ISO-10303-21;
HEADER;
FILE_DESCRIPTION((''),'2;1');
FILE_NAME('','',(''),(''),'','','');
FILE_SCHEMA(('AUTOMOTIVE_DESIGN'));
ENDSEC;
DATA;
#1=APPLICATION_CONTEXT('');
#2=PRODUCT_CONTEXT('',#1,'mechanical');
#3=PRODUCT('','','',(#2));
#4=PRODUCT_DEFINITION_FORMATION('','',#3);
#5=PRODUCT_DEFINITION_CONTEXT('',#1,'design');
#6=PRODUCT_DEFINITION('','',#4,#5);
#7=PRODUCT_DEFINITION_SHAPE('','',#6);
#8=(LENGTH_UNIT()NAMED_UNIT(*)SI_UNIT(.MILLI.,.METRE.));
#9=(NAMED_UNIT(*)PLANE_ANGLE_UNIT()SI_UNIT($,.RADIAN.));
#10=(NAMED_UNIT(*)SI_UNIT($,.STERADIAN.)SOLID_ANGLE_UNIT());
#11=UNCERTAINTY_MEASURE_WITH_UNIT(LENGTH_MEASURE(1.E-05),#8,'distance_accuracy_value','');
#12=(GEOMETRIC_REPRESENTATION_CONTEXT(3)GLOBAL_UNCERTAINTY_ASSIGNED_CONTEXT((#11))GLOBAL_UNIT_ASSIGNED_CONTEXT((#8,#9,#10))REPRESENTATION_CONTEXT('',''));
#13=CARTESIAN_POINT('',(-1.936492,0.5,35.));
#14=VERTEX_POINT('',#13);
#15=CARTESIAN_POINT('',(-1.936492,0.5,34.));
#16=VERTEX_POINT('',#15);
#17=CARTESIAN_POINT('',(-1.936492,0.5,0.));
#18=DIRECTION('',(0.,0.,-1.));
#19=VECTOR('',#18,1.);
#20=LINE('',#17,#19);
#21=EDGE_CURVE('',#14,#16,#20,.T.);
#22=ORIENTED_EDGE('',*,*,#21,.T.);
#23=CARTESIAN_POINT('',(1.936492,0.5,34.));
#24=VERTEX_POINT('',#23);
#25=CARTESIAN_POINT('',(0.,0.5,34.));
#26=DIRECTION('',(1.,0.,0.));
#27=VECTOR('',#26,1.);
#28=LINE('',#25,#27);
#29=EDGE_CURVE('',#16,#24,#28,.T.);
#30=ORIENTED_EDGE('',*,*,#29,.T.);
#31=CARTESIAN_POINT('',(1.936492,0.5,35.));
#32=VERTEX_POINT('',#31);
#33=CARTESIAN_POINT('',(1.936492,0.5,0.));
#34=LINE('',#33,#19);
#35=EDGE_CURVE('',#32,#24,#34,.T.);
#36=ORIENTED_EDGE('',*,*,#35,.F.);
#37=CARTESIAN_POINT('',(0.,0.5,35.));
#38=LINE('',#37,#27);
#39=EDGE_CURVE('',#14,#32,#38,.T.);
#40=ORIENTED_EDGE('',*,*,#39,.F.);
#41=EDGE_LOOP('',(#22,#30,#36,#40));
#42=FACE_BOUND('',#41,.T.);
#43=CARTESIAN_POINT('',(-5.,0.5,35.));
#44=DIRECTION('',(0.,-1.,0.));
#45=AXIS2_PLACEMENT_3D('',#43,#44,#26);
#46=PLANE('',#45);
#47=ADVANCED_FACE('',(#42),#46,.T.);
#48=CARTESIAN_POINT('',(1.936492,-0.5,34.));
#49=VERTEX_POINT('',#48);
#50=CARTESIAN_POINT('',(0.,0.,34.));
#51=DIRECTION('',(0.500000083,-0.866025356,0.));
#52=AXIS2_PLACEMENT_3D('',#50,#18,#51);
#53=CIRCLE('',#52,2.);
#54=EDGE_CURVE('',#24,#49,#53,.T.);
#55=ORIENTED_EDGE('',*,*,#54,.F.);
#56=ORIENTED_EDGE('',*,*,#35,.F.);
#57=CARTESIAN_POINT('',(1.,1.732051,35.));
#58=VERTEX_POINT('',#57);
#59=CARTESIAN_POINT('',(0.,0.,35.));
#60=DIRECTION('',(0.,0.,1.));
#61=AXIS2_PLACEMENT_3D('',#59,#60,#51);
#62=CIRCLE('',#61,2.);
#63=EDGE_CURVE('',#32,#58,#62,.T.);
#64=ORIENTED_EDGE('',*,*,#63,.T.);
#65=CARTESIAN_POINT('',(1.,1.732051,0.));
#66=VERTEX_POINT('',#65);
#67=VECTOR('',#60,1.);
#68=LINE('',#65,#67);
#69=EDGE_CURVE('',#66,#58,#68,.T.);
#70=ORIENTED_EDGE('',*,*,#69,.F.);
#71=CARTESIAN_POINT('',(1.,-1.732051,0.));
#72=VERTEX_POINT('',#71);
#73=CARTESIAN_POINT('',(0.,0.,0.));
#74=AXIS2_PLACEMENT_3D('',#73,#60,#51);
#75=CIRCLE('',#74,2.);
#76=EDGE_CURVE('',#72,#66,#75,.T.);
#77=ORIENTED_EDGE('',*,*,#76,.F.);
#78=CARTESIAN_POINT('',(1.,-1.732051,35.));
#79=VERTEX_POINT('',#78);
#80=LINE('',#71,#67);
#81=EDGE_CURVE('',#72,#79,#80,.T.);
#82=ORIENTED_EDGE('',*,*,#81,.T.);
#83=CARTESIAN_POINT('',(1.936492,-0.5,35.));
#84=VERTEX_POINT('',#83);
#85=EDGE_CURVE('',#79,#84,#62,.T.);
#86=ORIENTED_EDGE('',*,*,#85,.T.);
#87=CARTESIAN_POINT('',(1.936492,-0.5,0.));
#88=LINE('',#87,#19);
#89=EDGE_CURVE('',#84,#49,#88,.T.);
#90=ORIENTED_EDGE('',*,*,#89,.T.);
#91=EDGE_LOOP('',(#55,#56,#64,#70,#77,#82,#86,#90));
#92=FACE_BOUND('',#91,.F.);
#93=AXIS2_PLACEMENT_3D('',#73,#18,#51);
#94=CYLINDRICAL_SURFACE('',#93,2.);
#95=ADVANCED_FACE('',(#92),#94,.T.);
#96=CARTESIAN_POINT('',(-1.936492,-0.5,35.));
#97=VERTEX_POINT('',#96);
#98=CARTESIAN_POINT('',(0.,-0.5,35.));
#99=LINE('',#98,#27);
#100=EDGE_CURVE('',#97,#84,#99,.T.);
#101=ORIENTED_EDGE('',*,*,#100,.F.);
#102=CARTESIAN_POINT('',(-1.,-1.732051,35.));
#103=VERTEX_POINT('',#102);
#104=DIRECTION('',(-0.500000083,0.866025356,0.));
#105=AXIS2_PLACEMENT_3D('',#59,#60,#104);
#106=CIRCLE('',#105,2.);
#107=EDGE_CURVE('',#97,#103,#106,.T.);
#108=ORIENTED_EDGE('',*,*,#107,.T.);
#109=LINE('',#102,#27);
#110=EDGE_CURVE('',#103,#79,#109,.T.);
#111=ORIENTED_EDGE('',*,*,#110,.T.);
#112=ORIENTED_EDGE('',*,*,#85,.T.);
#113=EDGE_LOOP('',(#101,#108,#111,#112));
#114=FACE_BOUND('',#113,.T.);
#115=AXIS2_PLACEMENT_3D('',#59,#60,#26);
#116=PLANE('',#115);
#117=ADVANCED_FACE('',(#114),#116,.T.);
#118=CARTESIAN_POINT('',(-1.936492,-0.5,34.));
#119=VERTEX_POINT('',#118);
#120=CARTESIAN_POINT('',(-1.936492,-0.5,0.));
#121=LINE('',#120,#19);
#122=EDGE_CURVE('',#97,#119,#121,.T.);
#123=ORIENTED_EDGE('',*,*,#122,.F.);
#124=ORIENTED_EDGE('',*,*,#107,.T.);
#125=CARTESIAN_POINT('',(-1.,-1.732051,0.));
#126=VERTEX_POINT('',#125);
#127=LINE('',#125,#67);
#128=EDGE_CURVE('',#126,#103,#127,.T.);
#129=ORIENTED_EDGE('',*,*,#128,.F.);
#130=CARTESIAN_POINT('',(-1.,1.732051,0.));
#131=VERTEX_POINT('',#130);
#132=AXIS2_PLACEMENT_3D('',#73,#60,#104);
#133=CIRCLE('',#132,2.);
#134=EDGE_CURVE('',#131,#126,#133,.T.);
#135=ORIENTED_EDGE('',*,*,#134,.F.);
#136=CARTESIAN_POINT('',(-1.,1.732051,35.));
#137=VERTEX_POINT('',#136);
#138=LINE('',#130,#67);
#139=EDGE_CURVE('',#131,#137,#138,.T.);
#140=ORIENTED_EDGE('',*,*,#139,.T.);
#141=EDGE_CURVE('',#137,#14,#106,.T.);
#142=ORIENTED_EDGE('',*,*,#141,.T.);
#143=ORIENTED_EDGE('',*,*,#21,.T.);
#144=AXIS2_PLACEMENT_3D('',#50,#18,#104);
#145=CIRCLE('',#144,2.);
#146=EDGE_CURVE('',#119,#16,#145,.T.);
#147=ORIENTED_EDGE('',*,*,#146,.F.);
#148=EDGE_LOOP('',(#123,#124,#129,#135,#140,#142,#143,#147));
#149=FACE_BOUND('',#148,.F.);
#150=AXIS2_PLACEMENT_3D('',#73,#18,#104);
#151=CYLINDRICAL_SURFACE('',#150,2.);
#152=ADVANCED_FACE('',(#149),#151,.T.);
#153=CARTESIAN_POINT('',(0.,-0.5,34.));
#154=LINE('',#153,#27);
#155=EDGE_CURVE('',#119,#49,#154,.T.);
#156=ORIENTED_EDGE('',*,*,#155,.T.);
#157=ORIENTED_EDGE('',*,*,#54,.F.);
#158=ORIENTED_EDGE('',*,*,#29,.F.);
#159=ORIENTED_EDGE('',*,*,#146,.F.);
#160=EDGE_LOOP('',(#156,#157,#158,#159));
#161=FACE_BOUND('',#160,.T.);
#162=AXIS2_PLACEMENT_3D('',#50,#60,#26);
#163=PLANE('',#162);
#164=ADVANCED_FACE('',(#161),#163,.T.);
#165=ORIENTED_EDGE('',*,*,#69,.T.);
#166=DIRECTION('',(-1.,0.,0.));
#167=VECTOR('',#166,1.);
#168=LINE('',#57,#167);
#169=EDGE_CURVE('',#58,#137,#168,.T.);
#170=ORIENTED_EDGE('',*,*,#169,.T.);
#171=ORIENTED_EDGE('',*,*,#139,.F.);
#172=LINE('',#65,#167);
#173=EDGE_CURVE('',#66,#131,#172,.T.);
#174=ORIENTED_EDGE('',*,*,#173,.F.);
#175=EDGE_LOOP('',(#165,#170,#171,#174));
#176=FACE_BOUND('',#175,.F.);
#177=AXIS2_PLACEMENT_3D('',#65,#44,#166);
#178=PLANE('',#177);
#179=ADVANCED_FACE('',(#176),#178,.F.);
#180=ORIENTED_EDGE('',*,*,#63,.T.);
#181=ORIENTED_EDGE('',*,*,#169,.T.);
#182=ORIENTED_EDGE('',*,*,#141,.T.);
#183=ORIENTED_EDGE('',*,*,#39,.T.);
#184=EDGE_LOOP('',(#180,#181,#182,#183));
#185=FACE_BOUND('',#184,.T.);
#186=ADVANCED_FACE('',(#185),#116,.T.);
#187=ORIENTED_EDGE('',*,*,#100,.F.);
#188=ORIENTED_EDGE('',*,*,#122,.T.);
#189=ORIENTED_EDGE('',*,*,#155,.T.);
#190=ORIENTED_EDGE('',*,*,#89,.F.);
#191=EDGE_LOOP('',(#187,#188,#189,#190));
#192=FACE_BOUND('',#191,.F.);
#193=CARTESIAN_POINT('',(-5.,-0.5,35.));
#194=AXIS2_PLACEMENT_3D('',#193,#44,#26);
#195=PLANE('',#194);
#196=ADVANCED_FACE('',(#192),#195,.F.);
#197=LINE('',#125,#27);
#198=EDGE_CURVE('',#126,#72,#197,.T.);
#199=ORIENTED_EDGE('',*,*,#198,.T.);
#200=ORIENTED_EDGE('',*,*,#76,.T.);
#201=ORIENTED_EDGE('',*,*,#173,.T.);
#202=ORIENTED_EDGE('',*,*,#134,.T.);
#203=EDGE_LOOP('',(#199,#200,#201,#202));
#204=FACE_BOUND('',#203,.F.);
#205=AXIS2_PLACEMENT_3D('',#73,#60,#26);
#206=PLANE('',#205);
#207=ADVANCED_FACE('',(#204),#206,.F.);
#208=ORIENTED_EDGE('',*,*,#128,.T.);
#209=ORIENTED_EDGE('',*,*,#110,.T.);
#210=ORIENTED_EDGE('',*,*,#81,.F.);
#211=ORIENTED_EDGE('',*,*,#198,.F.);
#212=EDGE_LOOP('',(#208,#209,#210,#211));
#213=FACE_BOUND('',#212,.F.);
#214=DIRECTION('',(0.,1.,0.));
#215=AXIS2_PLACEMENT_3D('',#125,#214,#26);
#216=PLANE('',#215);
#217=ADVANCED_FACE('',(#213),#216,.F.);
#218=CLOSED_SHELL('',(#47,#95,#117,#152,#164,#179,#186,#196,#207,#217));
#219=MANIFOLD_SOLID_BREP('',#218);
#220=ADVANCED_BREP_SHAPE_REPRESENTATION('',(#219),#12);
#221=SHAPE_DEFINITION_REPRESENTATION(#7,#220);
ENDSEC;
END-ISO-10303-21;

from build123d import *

# Parameters (mm, degrees)
F1_DEPTH = 35
F2_W     = 10
F2_H     = 1
F3_DEPTH = 1


with BuildPart() as f1:
    # F0 (on Top) → F1 (new body)
    with BuildSketch(Plane.XY):
        with BuildLine():
            Line((-1, -1.732051), (1, -1.732051))
            ThreePointArc((1, -1.732051), (2, 0), (1, 1.732051))
            Line((1, 1.732051), (-1, 1.732051))
            ThreePointArc((-1, 1.732051), (-2, 0), (-1, -1.732051))
        make_face()
    extrude(amount=F1_DEPTH)

    # F2 (on face) → F3 (cut)
    with BuildSketch(Plane.XY.offset(35)):
        Rectangle(F2_W, F2_H)
    extrude(amount=-F3_DEPTH, mode=Mode.SUBTRACT)


solid = f1.part
